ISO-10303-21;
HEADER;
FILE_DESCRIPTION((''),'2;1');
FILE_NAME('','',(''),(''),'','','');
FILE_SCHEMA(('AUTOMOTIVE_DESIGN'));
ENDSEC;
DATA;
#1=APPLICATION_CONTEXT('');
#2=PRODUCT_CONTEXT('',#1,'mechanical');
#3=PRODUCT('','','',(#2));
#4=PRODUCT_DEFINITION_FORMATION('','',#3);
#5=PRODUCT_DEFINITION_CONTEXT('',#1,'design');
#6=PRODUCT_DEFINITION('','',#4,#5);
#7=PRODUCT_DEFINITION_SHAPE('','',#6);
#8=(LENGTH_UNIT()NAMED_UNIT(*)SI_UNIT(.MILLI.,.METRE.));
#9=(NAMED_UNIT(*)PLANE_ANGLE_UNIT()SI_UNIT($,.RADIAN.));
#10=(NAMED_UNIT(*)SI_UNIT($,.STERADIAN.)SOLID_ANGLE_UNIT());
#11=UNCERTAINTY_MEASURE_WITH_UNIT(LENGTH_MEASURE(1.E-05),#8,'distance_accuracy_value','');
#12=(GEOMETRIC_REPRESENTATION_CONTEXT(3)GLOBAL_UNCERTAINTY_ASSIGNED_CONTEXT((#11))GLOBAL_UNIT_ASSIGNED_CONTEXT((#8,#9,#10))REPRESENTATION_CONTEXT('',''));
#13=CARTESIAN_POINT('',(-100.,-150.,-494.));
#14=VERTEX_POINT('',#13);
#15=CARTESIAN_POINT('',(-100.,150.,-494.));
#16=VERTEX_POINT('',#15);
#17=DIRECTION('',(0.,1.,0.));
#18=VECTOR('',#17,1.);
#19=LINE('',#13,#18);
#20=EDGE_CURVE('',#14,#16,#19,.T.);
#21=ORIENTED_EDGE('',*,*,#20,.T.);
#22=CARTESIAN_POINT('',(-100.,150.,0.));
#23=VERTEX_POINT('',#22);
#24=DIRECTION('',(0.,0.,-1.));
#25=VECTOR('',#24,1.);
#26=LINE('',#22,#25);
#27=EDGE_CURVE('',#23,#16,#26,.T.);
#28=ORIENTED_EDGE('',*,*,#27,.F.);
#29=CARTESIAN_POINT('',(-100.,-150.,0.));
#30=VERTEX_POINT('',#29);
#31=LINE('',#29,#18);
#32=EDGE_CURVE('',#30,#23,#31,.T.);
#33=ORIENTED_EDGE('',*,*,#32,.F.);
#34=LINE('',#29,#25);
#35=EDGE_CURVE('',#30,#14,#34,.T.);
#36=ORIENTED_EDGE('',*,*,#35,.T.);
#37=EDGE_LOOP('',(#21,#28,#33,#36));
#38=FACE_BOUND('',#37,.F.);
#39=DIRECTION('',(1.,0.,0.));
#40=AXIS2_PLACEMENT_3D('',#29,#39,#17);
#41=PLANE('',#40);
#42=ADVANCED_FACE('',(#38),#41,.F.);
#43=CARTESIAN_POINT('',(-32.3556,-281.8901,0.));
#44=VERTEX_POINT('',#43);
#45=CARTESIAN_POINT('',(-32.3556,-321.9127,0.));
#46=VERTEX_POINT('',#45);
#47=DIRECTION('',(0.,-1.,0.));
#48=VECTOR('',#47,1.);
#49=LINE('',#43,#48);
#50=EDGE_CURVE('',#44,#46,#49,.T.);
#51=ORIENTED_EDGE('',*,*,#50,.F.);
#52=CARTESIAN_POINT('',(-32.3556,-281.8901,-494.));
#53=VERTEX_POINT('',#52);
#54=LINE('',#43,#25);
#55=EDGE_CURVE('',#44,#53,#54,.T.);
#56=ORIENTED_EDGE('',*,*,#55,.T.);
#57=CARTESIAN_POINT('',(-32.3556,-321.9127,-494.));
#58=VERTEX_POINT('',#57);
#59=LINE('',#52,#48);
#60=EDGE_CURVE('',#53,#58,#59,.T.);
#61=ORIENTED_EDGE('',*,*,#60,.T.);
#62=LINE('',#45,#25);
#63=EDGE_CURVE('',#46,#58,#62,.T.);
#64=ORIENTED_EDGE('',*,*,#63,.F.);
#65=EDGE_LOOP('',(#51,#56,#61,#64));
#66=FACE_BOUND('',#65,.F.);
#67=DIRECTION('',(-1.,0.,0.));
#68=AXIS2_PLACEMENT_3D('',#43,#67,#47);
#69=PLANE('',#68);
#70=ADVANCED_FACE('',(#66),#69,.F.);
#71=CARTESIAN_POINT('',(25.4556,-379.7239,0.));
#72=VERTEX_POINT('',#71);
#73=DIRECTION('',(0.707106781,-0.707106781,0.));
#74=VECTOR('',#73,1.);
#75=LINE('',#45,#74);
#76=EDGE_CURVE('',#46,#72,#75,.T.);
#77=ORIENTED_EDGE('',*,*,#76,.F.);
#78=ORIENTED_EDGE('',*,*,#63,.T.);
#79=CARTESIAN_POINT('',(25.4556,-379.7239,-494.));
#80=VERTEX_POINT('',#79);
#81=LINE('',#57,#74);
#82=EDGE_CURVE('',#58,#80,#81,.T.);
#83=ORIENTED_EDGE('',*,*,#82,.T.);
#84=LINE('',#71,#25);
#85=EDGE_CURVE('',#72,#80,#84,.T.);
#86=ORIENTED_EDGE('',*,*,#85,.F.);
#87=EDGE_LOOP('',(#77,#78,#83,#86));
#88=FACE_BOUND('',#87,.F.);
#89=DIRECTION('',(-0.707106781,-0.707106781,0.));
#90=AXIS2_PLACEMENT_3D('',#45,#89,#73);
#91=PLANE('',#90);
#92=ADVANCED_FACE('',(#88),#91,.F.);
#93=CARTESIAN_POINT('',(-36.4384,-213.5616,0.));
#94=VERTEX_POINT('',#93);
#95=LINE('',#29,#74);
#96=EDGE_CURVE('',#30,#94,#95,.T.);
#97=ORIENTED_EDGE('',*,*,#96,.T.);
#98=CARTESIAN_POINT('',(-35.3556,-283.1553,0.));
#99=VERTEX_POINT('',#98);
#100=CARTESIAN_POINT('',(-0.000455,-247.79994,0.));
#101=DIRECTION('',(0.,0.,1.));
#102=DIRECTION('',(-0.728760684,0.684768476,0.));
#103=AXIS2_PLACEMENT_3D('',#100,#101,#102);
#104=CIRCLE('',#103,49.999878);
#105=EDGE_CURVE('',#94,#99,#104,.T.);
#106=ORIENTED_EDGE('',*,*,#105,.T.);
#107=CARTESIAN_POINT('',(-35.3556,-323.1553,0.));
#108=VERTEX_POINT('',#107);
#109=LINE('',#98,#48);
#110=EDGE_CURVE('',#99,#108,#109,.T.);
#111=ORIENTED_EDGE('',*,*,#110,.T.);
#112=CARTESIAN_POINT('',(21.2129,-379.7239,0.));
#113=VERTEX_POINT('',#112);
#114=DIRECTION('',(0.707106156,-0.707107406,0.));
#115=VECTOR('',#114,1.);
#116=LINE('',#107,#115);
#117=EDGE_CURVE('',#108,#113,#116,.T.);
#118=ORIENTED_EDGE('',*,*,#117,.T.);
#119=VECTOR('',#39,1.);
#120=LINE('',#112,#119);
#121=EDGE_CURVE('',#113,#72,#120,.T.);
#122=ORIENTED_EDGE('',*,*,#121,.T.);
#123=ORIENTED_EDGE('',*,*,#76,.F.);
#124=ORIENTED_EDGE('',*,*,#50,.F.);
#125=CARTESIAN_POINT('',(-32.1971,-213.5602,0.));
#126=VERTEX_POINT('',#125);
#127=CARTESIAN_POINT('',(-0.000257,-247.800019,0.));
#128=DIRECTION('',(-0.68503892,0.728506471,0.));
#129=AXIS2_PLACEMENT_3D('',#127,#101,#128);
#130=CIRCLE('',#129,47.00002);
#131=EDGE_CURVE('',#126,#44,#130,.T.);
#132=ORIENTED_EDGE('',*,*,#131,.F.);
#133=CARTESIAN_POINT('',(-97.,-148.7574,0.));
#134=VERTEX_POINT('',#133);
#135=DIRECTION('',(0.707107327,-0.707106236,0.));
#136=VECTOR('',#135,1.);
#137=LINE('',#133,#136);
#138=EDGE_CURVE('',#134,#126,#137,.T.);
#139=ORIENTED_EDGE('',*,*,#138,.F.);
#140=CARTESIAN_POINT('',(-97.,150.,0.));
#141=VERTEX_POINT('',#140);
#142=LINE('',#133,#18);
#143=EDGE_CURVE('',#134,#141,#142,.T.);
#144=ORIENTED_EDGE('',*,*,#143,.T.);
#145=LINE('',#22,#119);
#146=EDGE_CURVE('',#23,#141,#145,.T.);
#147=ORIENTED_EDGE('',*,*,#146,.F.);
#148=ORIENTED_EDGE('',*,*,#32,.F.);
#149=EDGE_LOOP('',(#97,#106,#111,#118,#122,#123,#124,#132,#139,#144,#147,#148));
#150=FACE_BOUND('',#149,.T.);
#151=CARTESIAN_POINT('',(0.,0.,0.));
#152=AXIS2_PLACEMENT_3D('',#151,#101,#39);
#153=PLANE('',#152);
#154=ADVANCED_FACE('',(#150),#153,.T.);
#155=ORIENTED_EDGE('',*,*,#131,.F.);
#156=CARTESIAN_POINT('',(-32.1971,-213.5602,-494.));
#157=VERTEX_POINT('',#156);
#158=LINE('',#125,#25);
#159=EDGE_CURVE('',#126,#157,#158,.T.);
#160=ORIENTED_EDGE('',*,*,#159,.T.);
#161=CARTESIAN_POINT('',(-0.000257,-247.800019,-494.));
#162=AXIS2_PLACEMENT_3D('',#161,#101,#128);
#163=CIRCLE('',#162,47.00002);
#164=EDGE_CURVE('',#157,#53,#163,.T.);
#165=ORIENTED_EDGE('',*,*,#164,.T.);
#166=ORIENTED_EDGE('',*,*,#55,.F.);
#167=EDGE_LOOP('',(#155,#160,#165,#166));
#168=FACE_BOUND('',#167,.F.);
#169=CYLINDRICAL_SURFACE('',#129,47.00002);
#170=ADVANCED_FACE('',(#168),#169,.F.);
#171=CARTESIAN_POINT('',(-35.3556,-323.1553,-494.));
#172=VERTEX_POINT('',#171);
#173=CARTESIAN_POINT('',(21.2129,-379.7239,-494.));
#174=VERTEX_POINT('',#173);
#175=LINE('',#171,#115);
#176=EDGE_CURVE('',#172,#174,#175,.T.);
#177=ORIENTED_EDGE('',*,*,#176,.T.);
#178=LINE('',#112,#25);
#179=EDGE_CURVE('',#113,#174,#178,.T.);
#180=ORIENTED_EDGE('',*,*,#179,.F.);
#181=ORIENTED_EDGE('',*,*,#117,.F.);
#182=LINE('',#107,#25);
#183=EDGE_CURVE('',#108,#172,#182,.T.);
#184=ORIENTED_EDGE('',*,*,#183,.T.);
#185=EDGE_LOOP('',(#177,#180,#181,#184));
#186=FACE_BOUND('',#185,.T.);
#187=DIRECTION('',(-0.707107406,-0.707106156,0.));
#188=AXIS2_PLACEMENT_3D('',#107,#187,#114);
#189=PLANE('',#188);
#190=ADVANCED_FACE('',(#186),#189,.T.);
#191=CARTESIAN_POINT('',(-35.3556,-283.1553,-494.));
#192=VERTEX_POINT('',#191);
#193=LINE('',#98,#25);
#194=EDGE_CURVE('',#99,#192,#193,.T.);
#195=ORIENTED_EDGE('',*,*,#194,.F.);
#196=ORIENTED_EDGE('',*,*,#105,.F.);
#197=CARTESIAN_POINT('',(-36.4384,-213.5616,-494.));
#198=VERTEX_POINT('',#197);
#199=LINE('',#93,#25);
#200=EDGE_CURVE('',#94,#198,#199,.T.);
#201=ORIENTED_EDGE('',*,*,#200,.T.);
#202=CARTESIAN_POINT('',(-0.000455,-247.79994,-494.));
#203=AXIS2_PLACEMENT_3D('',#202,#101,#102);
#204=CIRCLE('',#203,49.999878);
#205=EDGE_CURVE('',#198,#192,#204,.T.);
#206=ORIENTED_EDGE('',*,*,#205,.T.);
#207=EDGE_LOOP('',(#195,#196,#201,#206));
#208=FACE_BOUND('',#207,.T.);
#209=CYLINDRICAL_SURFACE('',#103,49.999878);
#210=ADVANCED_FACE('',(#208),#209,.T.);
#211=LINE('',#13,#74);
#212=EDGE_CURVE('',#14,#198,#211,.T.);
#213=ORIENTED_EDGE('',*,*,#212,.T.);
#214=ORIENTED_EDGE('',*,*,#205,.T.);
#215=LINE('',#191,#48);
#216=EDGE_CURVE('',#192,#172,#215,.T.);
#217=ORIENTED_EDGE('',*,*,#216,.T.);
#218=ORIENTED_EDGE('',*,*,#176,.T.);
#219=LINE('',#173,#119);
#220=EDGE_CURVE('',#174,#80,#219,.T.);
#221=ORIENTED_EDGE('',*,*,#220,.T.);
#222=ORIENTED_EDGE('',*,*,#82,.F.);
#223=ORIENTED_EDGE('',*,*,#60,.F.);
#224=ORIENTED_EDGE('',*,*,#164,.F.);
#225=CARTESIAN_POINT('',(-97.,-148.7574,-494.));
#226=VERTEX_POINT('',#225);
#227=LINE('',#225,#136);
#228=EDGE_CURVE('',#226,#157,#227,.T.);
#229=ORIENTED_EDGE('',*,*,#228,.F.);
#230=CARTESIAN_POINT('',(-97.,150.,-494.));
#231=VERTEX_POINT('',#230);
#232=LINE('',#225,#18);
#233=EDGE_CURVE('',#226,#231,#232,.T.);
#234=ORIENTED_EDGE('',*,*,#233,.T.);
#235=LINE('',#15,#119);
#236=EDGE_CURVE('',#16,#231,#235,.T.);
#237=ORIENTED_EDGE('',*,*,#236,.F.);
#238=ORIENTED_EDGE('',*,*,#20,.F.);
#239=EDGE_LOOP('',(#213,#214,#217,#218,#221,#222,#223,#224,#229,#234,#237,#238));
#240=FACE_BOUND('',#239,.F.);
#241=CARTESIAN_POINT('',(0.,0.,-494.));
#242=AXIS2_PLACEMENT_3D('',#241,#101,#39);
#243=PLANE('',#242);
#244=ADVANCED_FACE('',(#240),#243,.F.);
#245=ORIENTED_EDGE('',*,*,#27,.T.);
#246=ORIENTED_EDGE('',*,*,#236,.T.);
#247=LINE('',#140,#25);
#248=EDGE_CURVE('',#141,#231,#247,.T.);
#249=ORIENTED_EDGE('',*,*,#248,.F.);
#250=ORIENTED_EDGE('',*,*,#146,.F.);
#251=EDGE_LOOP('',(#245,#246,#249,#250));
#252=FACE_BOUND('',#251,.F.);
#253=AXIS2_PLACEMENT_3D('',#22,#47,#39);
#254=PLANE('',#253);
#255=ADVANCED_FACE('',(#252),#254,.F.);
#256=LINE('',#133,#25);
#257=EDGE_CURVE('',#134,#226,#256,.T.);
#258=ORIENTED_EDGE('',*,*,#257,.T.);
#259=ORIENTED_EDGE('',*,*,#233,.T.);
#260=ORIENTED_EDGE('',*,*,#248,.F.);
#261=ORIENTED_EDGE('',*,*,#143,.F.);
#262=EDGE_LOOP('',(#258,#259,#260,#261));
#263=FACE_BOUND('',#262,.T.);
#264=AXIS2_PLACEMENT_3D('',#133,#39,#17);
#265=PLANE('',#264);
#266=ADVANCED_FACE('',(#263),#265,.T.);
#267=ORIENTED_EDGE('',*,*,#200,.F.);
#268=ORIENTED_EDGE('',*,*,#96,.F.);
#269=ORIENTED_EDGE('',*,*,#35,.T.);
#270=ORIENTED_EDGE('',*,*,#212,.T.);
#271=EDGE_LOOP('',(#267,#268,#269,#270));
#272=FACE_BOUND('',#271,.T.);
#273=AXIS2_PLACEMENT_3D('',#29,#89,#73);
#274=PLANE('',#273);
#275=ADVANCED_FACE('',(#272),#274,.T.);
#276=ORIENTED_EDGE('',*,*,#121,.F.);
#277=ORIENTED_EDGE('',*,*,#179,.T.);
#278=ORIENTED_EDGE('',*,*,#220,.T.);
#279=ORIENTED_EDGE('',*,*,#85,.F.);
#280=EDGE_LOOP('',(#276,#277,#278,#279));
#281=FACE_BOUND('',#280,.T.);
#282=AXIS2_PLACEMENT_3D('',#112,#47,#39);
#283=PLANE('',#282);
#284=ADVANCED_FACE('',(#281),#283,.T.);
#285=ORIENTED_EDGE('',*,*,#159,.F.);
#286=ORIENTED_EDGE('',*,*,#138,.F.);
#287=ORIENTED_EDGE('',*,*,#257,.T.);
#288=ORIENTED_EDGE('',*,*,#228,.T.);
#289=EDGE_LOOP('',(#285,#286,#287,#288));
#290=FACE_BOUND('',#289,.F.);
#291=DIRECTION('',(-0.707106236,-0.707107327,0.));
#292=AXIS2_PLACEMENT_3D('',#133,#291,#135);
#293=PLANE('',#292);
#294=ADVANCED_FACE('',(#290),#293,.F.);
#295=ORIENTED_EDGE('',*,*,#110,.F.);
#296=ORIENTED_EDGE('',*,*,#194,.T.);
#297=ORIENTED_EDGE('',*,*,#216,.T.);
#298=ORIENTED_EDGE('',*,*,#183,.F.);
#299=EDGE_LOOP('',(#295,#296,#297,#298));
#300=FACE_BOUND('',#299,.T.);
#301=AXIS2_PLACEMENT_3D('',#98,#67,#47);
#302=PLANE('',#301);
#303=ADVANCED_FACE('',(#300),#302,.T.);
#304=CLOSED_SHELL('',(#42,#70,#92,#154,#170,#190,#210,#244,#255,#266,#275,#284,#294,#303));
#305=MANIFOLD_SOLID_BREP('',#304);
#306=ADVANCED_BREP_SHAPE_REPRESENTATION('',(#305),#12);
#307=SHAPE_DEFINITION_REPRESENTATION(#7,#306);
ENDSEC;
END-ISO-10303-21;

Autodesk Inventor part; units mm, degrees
ref_plane "YZ Plane" through (0, 0, 0) normal (1, 0, 0) x (0, 1, 0)
ref_plane "XZ Plane" through (0, 0, 0) normal (0, 1, 0) x (-1, 0, 0)
ref_plane "XY Plane" through (0, 0, 0) normal (0, 0, 1) x (1, 0, 0)
sketch "Sketch1" plane through (0, 0, 0) normal (0, 0, 1) x (1, 0, 0)
  circle A0 centre (-0.0003, -247.8) radius 2.5
  line L0 (-100, -150) -> (-36.4384, -213.5616)
  line L1 (-100, -150) -> (-50, -150) construction
  line L2 (-36.4384, -213.5616) -> (-36.4394, -213.5606)
  line L3 (-35.3556, -283.1553) -> (-35.3556, -323.1553)
  line L4 (-35.3556, -283.1553) -> (4.6444, -283.1553) construction
  line L5 (-35.3556, -323.1553) -> (21.2129, -379.7239)
  arc A1 (-36.4384, -213.5616) -> (-35.3556, -283.1553) centre (-0.0003, -247.8) ccw
  line L6 (-32.3556, -281.8901) -> (-32.3556, -321.9127)
  line L7 (-32.3556, -321.9127) -> (25.4556, -379.7239)
  line L8 (-97, -148.7574) -> (-32.1971, -213.5602)
  arc A2 (-32.1971, -213.5602) -> (-32.3556, -281.8901) centre (-0.0003, -247.8) ccw
  line L9 (21.2129, -379.7239) -> (25.4556, -379.7239)
  line L10 (-100, -150) -> (-100, 150)
  line L11 (-97, -148.7574) -> (-97, 150)
  line L12 (-100, 150) -> (-97, 150)
  dimension "d0" = 5
  dimension "d1" = 45
  dimension "d3" = 50
  dimension "d5" = 40
  dimension "d6" = 90
  dimension "d7" = 80
  dimension "d8" = 135
  dimension "d13" = 3
  dimension "d16" = 3
  dimension "d17" = 3
  dimension "d19" = 35.3553
  dimension "d20" = 3
  dimension "d21" = 300
extrude "Extrusion1" add sketch "Sketch1" against normal blind 494 contours L10 L12 L11 L8 A2 L6 L7 L9 L5 L3 A1 L0
properties part number "back"
